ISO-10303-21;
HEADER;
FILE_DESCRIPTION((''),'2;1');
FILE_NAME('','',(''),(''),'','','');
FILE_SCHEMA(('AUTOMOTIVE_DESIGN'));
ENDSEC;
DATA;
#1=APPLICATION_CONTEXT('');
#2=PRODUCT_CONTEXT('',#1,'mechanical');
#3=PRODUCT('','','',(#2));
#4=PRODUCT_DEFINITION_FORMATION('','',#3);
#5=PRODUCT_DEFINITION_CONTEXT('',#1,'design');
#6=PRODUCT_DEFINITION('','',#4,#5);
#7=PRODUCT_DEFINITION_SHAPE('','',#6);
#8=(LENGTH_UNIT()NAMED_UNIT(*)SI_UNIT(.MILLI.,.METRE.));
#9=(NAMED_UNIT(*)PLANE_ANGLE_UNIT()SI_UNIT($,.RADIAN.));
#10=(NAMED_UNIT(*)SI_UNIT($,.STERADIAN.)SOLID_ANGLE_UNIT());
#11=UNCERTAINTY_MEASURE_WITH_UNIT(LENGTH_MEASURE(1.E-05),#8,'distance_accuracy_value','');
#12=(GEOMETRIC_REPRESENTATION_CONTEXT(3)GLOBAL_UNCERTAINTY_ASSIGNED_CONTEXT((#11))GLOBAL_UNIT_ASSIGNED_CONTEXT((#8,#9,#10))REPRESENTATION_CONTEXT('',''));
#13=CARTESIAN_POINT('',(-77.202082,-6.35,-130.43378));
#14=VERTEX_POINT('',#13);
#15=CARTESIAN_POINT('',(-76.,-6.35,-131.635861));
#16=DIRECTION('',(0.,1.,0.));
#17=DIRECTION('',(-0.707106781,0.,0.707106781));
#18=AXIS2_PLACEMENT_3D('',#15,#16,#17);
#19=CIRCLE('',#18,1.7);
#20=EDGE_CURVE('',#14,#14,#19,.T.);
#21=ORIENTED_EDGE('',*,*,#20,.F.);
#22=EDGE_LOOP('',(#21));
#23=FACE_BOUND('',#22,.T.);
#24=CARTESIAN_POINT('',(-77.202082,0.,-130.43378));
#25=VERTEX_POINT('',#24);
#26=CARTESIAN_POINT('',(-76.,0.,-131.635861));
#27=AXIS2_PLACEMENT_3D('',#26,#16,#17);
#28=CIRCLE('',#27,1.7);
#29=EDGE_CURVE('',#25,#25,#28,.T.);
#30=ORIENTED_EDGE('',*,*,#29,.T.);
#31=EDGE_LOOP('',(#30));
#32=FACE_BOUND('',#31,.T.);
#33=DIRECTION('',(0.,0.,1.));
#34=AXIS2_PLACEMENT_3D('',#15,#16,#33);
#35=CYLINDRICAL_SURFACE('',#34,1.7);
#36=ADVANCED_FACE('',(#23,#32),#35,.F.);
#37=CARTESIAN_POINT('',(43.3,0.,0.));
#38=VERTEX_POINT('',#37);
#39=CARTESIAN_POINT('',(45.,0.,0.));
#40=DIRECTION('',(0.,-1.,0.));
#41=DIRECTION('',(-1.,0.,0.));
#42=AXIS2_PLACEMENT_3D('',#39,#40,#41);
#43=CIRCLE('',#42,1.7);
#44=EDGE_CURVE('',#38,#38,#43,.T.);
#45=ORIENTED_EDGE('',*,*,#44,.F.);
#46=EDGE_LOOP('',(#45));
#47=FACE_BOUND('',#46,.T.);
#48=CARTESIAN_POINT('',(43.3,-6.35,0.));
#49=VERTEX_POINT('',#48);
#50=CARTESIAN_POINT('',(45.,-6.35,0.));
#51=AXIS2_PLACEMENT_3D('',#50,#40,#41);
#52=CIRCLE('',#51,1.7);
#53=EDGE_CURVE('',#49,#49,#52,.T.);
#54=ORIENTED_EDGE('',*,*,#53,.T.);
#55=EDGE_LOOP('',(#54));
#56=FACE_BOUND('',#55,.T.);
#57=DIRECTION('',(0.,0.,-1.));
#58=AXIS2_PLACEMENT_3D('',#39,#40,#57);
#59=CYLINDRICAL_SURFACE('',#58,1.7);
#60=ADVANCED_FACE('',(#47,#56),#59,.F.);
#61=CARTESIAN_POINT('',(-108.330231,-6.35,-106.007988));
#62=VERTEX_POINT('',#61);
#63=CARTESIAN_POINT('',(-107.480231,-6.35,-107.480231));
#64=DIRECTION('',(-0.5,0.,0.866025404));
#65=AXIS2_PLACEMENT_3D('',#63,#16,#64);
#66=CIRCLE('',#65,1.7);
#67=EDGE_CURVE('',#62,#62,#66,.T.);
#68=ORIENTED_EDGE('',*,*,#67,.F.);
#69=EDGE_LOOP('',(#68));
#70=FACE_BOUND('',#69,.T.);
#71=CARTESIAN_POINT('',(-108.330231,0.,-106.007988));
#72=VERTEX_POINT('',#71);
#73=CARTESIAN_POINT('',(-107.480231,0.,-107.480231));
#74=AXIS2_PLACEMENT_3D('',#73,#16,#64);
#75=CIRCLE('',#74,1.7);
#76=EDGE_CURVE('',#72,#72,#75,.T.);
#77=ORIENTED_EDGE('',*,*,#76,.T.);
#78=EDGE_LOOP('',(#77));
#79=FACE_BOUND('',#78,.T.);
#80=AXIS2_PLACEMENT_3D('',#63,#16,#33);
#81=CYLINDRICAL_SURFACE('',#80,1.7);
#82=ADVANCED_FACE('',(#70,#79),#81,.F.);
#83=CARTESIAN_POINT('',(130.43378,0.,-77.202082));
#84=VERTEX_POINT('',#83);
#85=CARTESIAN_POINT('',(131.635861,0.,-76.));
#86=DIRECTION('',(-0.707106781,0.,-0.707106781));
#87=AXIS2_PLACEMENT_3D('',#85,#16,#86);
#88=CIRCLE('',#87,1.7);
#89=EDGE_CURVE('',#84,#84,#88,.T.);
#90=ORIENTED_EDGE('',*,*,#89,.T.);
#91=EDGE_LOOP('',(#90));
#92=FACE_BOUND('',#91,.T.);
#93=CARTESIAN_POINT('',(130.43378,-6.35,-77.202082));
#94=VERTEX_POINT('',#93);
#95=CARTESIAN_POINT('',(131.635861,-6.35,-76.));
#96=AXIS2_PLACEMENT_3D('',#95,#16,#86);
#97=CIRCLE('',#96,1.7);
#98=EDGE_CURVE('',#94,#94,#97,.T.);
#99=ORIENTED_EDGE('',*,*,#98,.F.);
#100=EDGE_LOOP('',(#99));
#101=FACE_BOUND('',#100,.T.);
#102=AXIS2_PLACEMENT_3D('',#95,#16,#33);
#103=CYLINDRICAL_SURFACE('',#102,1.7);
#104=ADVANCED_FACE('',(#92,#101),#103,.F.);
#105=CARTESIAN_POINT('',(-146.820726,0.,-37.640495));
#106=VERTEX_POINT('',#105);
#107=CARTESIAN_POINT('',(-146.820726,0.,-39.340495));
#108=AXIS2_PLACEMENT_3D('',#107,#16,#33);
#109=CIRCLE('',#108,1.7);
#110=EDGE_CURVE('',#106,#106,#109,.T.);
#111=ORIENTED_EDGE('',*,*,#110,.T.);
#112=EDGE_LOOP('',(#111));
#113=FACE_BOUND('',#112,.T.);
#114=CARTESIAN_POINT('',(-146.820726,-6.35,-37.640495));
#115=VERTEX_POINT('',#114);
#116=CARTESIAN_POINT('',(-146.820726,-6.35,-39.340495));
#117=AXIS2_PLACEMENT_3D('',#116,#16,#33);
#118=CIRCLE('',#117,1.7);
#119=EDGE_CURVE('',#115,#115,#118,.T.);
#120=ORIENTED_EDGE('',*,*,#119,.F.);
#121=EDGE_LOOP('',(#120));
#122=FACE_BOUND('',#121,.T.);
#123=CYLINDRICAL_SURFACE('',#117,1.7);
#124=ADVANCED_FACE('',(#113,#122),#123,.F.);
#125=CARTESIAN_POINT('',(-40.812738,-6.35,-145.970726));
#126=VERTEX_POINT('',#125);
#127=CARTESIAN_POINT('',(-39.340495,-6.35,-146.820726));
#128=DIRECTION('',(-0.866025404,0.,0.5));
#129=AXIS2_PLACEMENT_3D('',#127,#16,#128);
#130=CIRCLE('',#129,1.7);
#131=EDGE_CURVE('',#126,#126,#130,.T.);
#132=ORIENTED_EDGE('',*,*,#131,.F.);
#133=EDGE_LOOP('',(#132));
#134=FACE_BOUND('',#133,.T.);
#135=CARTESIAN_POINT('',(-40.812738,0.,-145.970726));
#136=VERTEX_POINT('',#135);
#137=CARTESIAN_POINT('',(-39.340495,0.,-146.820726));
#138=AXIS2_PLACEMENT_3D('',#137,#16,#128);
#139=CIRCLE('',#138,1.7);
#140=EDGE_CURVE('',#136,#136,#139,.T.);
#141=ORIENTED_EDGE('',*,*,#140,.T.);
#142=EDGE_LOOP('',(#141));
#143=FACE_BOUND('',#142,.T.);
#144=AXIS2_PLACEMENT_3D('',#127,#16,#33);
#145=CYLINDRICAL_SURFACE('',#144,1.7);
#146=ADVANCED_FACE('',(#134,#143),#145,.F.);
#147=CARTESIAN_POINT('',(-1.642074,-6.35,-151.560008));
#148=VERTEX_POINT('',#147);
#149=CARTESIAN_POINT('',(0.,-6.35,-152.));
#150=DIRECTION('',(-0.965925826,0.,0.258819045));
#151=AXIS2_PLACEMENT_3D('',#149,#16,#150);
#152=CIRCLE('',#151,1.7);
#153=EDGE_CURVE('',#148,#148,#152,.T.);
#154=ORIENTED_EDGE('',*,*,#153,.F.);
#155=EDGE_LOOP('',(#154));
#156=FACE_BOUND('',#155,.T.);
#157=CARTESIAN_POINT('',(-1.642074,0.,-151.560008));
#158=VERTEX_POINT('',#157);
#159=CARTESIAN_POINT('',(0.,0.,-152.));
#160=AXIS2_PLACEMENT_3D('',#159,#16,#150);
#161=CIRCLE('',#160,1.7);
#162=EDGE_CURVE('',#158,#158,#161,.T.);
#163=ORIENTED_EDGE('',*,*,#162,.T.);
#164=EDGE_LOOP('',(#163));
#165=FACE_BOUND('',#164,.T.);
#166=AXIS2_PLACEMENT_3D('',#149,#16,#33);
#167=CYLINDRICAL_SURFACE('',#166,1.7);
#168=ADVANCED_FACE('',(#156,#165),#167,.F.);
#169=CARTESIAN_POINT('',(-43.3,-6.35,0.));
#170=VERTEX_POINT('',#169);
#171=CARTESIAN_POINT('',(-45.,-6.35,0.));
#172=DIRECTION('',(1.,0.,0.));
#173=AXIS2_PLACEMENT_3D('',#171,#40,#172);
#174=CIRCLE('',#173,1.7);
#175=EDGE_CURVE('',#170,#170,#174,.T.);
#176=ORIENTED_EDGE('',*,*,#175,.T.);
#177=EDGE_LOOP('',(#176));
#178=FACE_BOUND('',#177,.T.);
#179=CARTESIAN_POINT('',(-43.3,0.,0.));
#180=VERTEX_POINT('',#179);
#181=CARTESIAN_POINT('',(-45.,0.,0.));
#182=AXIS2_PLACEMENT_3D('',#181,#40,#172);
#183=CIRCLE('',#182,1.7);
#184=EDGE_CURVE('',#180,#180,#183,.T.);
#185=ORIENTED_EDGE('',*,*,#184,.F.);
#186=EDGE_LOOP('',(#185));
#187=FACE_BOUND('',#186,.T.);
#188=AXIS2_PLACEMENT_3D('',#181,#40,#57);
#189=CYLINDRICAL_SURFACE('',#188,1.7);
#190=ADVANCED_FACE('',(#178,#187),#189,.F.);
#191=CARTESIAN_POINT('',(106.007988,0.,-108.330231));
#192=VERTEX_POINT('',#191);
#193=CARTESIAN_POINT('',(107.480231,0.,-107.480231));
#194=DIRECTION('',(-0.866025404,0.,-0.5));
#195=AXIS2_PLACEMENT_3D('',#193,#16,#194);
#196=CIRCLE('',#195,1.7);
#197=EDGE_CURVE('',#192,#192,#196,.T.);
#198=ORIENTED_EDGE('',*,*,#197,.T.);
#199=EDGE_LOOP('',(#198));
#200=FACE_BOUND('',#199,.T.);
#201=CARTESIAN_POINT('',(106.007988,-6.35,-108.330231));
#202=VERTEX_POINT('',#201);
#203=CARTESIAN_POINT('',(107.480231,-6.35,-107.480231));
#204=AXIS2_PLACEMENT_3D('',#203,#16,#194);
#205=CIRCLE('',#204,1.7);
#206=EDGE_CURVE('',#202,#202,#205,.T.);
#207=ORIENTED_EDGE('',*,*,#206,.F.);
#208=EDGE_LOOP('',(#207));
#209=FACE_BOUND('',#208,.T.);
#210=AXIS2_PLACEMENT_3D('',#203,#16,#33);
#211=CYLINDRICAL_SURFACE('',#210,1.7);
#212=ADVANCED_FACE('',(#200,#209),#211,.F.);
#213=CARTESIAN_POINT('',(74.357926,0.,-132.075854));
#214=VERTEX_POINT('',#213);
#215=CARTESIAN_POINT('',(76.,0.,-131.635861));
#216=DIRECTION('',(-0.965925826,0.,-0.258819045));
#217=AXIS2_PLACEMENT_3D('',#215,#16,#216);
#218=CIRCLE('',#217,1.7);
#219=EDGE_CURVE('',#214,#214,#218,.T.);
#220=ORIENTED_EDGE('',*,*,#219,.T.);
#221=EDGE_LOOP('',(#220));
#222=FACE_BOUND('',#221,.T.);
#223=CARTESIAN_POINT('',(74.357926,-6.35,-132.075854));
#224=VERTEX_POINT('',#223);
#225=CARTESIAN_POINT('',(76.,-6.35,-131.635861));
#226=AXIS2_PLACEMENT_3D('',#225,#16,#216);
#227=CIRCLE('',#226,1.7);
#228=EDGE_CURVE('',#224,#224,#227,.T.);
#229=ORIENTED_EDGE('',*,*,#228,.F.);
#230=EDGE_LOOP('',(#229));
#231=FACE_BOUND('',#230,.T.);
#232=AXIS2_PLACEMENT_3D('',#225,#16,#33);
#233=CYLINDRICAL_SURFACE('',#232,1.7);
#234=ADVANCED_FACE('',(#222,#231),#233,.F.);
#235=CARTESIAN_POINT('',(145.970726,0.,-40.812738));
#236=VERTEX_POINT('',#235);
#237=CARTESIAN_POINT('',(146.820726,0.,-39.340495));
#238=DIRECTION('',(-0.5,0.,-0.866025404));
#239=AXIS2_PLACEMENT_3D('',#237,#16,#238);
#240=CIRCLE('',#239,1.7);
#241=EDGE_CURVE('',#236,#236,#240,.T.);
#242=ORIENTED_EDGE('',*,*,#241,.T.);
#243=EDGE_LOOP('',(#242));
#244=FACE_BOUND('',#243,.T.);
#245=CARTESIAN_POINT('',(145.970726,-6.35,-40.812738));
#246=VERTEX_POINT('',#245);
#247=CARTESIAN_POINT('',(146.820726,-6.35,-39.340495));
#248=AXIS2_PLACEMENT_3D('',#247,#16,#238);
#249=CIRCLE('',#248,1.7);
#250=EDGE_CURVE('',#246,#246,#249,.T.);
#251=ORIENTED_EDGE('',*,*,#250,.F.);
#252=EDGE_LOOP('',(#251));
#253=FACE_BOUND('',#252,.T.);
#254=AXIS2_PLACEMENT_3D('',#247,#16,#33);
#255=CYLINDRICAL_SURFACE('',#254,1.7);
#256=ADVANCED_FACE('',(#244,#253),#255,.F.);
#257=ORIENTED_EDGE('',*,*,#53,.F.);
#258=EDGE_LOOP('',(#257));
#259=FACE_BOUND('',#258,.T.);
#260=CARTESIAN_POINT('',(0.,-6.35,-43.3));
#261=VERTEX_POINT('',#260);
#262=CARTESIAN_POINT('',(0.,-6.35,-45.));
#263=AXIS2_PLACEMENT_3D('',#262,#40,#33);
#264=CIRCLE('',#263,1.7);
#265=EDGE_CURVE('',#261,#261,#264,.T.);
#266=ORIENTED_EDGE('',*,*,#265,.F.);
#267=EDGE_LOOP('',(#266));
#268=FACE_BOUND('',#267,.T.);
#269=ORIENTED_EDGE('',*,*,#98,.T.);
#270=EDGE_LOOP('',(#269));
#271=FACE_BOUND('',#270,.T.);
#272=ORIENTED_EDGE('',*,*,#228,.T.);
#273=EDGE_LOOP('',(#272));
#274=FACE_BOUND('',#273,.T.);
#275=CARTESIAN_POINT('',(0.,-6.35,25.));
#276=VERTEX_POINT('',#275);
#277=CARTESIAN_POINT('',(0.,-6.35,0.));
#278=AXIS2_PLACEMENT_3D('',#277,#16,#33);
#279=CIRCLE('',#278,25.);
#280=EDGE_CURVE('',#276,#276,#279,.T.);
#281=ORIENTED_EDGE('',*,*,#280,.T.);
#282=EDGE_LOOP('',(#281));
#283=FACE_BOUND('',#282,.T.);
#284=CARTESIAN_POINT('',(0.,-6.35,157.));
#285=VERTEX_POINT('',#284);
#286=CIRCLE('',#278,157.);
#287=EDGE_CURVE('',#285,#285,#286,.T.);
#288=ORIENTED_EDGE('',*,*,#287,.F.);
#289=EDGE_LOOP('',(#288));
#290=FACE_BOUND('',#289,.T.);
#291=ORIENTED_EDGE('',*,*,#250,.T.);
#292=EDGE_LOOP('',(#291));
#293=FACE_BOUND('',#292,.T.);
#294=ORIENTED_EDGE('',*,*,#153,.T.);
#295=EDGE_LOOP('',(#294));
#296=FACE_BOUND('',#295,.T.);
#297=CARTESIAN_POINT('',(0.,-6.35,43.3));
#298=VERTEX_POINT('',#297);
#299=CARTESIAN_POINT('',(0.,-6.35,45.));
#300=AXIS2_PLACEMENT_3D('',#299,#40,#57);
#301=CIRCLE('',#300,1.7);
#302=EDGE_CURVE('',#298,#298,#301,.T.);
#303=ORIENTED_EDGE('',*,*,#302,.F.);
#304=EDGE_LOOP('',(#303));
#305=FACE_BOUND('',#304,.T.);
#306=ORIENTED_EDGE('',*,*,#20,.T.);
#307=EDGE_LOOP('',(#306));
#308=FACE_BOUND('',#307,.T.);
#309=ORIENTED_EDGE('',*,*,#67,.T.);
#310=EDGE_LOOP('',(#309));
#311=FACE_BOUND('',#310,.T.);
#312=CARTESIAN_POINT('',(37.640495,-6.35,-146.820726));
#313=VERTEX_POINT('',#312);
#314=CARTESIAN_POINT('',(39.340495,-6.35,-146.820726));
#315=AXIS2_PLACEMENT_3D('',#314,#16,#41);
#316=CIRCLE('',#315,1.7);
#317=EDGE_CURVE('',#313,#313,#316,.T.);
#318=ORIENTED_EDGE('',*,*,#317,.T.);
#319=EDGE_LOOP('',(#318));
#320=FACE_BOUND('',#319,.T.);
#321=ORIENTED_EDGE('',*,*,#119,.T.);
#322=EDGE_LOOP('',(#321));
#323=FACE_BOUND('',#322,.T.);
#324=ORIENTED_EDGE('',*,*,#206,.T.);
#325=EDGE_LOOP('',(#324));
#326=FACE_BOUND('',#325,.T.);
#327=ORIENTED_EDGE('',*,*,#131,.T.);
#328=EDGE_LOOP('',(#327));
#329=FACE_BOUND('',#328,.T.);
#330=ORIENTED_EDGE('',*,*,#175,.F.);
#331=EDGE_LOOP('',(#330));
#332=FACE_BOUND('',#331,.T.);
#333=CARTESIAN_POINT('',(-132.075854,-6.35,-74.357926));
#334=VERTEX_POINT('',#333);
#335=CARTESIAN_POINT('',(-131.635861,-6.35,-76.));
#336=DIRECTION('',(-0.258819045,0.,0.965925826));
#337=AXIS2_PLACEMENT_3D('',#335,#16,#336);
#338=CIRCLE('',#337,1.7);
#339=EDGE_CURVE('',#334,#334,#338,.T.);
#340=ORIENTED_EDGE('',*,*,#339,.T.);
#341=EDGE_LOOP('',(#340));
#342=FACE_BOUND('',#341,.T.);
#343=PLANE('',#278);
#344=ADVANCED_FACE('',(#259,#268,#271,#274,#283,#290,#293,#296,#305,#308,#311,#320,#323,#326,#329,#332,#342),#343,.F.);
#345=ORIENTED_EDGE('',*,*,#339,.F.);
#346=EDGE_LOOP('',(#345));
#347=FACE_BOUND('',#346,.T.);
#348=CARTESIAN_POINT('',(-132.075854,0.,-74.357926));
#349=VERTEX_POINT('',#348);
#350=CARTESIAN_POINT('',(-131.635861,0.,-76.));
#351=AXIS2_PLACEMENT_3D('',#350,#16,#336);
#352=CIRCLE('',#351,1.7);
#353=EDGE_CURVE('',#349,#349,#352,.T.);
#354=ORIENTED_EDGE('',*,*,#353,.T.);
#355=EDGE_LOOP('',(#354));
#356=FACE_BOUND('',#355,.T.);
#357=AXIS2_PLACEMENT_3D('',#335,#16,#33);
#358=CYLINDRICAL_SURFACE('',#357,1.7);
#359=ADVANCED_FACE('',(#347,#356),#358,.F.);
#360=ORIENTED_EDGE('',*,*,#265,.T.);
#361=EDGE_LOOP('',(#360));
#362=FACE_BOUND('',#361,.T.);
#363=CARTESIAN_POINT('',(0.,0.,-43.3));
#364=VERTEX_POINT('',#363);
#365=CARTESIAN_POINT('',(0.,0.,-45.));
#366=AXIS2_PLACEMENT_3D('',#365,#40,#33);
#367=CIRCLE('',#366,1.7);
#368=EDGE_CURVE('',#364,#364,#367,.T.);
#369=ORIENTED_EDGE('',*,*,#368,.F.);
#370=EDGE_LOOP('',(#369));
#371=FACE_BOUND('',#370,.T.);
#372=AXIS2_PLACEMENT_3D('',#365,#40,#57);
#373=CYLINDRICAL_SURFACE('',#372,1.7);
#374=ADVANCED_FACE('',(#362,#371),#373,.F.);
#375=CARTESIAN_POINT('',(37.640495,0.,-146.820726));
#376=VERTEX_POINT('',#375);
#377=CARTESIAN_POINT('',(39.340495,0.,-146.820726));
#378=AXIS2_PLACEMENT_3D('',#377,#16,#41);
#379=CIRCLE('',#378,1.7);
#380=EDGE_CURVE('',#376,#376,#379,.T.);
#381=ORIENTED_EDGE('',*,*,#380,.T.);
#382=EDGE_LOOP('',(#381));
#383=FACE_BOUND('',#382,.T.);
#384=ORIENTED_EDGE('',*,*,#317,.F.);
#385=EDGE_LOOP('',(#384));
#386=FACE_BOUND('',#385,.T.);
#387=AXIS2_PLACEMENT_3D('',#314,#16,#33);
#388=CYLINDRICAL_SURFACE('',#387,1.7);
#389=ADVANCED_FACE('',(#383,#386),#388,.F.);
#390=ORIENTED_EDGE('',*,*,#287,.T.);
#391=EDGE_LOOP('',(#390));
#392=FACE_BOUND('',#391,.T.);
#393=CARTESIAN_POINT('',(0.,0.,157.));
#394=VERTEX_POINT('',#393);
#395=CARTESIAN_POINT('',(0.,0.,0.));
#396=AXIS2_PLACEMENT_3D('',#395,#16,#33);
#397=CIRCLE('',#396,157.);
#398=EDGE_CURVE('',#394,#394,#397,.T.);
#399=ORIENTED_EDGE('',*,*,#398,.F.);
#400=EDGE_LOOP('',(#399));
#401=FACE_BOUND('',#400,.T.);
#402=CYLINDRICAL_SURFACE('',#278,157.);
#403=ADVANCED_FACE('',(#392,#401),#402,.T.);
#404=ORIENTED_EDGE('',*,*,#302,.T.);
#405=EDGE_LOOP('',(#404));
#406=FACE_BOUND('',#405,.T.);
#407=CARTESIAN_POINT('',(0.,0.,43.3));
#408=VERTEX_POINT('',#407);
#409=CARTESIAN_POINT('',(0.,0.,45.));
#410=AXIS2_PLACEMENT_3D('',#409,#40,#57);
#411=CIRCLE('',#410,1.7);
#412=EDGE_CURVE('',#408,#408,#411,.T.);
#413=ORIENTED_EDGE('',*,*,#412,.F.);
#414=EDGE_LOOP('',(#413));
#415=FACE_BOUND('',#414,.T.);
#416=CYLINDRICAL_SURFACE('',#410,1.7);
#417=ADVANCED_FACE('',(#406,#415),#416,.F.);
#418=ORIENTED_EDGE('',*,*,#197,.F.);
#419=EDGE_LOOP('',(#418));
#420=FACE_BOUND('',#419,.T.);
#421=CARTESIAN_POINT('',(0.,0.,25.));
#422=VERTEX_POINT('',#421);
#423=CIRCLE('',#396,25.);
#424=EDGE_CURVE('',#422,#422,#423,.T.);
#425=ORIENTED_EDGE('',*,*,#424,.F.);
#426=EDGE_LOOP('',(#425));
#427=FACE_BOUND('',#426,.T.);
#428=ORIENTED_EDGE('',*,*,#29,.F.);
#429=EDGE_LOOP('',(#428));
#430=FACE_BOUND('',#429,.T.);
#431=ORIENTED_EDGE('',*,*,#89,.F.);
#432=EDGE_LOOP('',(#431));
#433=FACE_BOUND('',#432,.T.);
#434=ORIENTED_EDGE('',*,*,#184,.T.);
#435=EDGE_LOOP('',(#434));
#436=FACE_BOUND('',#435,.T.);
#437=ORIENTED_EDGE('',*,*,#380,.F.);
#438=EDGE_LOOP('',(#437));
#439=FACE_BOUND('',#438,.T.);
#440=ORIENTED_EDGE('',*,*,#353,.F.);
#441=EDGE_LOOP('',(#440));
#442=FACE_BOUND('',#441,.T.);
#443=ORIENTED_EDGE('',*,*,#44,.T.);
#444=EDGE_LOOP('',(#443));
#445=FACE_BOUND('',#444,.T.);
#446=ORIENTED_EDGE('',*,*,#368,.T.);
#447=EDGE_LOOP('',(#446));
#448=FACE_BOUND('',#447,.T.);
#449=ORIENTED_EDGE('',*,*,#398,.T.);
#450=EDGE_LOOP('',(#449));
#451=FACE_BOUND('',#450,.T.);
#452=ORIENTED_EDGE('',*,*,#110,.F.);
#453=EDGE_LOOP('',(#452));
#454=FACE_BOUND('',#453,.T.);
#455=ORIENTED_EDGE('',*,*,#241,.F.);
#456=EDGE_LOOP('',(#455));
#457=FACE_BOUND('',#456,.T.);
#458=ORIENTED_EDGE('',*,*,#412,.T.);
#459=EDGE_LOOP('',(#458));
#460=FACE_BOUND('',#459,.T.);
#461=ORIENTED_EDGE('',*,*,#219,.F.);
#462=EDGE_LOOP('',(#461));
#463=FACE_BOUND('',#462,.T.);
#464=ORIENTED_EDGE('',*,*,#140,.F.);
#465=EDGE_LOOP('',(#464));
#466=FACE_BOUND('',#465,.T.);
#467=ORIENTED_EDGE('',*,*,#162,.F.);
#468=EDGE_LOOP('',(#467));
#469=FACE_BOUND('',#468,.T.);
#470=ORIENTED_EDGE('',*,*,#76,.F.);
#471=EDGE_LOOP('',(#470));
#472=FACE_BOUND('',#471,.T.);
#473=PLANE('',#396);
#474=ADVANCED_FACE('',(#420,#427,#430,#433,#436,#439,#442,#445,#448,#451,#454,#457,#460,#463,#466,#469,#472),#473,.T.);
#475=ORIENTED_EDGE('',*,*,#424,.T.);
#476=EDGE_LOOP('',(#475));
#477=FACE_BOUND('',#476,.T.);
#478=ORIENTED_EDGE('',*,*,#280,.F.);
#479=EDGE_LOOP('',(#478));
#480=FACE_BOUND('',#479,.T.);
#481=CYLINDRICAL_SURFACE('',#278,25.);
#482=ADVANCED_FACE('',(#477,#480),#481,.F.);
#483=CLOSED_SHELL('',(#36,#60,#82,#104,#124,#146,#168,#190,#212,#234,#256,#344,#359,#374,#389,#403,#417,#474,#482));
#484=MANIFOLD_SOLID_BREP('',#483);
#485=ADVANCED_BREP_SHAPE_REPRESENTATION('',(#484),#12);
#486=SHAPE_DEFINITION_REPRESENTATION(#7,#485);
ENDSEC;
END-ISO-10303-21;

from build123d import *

# Parameters (mm, degrees)
SKETCH2_R           = 157
BOSS_EXTRUDE1_DEPTH = 6.35
SKETCH4_R           = 25
CUT_EXTRUDE1_DEPTH  = 223.122314278
SKETCH5_R           = 1.7
CUT_EXTRUDE2_DEPTH  = 223.122314278
CIRPATTERN1_COUNT   = 4
SKETCH7_R           = 1.7
CUT_EXTRUDE4_DEPTH  = 223.122314278
CIRPATTERN2_COUNT   = 11
CIRPATTERN2_ANGLE   = 150


with BuildPart() as part:
    # Sketch2 → Boss-Extrude1 (new body)
    with BuildSketch(Plane(origin=(0, 0, 0), x_dir=(1, 0, 0), z_dir=(0, 1, 0))):
        with Locations(Location((0, 0, 0), (0, 0, 270))):
            Circle(SKETCH2_R)
    extrude(amount=-BOSS_EXTRUDE1_DEPTH)

    # Sketch4 → Cut-Extrude1 (cut, through all)
    with BuildSketch(Plane(origin=(0, 0, 0), x_dir=(1, 0, 0), z_dir=(0, 1, 0))):
        with Locations(Location((0, 0, 0), (0, 0, 270))):
            Circle(SKETCH4_R)
    extrude(amount=-CUT_EXTRUDE1_DEPTH, mode=Mode.SUBTRACT)

    # Sketch5 → Cut-Extrude2 (cut, through all)
    with BuildSketch(Plane.XZ.offset(6.35)):
        with Locations(Location((0, 45, 0), (0, 0, 270))):
            Circle(SKETCH5_R)
    cut_extrude2 = extrude(amount=-CUT_EXTRUDE2_DEPTH, mode=Mode.SUBTRACT)

    # CirPattern1: Cut-Extrude2 ×4 about axis
    cirpattern1_axis = Axis((0, 0, 0), (0, 1, 0))
    for i in range(1, CIRPATTERN1_COUNT):
        add(cut_extrude2.rotate(cirpattern1_axis, i * 360 / CIRPATTERN1_COUNT), mode=Mode.SUBTRACT)

    # Sketch7 → Cut-Extrude4 (cut, through all)
    with BuildSketch(Plane(origin=(0, 0, 0), x_dir=(1, 0, 0), z_dir=(0, 1, 0))):
        with Locations(Location((-146.820725596, 39.340494856, 0), (0, 0, 270))):
            Circle(SKETCH7_R)
    cut_extrude4 = extrude(amount=-CUT_EXTRUDE4_DEPTH, mode=Mode.SUBTRACT)

    # CirPattern2: Cut-Extrude4 ×11 about axis
    cirpattern2_axis = Axis((0, 0, 0), (0, -1, 0))
    for i in range(1, CIRPATTERN2_COUNT):
        add(cut_extrude4.rotate(cirpattern2_axis, i * CIRPATTERN2_ANGLE / (CIRPATTERN2_COUNT - 1)), mode=Mode.SUBTRACT)


solid = part.part
